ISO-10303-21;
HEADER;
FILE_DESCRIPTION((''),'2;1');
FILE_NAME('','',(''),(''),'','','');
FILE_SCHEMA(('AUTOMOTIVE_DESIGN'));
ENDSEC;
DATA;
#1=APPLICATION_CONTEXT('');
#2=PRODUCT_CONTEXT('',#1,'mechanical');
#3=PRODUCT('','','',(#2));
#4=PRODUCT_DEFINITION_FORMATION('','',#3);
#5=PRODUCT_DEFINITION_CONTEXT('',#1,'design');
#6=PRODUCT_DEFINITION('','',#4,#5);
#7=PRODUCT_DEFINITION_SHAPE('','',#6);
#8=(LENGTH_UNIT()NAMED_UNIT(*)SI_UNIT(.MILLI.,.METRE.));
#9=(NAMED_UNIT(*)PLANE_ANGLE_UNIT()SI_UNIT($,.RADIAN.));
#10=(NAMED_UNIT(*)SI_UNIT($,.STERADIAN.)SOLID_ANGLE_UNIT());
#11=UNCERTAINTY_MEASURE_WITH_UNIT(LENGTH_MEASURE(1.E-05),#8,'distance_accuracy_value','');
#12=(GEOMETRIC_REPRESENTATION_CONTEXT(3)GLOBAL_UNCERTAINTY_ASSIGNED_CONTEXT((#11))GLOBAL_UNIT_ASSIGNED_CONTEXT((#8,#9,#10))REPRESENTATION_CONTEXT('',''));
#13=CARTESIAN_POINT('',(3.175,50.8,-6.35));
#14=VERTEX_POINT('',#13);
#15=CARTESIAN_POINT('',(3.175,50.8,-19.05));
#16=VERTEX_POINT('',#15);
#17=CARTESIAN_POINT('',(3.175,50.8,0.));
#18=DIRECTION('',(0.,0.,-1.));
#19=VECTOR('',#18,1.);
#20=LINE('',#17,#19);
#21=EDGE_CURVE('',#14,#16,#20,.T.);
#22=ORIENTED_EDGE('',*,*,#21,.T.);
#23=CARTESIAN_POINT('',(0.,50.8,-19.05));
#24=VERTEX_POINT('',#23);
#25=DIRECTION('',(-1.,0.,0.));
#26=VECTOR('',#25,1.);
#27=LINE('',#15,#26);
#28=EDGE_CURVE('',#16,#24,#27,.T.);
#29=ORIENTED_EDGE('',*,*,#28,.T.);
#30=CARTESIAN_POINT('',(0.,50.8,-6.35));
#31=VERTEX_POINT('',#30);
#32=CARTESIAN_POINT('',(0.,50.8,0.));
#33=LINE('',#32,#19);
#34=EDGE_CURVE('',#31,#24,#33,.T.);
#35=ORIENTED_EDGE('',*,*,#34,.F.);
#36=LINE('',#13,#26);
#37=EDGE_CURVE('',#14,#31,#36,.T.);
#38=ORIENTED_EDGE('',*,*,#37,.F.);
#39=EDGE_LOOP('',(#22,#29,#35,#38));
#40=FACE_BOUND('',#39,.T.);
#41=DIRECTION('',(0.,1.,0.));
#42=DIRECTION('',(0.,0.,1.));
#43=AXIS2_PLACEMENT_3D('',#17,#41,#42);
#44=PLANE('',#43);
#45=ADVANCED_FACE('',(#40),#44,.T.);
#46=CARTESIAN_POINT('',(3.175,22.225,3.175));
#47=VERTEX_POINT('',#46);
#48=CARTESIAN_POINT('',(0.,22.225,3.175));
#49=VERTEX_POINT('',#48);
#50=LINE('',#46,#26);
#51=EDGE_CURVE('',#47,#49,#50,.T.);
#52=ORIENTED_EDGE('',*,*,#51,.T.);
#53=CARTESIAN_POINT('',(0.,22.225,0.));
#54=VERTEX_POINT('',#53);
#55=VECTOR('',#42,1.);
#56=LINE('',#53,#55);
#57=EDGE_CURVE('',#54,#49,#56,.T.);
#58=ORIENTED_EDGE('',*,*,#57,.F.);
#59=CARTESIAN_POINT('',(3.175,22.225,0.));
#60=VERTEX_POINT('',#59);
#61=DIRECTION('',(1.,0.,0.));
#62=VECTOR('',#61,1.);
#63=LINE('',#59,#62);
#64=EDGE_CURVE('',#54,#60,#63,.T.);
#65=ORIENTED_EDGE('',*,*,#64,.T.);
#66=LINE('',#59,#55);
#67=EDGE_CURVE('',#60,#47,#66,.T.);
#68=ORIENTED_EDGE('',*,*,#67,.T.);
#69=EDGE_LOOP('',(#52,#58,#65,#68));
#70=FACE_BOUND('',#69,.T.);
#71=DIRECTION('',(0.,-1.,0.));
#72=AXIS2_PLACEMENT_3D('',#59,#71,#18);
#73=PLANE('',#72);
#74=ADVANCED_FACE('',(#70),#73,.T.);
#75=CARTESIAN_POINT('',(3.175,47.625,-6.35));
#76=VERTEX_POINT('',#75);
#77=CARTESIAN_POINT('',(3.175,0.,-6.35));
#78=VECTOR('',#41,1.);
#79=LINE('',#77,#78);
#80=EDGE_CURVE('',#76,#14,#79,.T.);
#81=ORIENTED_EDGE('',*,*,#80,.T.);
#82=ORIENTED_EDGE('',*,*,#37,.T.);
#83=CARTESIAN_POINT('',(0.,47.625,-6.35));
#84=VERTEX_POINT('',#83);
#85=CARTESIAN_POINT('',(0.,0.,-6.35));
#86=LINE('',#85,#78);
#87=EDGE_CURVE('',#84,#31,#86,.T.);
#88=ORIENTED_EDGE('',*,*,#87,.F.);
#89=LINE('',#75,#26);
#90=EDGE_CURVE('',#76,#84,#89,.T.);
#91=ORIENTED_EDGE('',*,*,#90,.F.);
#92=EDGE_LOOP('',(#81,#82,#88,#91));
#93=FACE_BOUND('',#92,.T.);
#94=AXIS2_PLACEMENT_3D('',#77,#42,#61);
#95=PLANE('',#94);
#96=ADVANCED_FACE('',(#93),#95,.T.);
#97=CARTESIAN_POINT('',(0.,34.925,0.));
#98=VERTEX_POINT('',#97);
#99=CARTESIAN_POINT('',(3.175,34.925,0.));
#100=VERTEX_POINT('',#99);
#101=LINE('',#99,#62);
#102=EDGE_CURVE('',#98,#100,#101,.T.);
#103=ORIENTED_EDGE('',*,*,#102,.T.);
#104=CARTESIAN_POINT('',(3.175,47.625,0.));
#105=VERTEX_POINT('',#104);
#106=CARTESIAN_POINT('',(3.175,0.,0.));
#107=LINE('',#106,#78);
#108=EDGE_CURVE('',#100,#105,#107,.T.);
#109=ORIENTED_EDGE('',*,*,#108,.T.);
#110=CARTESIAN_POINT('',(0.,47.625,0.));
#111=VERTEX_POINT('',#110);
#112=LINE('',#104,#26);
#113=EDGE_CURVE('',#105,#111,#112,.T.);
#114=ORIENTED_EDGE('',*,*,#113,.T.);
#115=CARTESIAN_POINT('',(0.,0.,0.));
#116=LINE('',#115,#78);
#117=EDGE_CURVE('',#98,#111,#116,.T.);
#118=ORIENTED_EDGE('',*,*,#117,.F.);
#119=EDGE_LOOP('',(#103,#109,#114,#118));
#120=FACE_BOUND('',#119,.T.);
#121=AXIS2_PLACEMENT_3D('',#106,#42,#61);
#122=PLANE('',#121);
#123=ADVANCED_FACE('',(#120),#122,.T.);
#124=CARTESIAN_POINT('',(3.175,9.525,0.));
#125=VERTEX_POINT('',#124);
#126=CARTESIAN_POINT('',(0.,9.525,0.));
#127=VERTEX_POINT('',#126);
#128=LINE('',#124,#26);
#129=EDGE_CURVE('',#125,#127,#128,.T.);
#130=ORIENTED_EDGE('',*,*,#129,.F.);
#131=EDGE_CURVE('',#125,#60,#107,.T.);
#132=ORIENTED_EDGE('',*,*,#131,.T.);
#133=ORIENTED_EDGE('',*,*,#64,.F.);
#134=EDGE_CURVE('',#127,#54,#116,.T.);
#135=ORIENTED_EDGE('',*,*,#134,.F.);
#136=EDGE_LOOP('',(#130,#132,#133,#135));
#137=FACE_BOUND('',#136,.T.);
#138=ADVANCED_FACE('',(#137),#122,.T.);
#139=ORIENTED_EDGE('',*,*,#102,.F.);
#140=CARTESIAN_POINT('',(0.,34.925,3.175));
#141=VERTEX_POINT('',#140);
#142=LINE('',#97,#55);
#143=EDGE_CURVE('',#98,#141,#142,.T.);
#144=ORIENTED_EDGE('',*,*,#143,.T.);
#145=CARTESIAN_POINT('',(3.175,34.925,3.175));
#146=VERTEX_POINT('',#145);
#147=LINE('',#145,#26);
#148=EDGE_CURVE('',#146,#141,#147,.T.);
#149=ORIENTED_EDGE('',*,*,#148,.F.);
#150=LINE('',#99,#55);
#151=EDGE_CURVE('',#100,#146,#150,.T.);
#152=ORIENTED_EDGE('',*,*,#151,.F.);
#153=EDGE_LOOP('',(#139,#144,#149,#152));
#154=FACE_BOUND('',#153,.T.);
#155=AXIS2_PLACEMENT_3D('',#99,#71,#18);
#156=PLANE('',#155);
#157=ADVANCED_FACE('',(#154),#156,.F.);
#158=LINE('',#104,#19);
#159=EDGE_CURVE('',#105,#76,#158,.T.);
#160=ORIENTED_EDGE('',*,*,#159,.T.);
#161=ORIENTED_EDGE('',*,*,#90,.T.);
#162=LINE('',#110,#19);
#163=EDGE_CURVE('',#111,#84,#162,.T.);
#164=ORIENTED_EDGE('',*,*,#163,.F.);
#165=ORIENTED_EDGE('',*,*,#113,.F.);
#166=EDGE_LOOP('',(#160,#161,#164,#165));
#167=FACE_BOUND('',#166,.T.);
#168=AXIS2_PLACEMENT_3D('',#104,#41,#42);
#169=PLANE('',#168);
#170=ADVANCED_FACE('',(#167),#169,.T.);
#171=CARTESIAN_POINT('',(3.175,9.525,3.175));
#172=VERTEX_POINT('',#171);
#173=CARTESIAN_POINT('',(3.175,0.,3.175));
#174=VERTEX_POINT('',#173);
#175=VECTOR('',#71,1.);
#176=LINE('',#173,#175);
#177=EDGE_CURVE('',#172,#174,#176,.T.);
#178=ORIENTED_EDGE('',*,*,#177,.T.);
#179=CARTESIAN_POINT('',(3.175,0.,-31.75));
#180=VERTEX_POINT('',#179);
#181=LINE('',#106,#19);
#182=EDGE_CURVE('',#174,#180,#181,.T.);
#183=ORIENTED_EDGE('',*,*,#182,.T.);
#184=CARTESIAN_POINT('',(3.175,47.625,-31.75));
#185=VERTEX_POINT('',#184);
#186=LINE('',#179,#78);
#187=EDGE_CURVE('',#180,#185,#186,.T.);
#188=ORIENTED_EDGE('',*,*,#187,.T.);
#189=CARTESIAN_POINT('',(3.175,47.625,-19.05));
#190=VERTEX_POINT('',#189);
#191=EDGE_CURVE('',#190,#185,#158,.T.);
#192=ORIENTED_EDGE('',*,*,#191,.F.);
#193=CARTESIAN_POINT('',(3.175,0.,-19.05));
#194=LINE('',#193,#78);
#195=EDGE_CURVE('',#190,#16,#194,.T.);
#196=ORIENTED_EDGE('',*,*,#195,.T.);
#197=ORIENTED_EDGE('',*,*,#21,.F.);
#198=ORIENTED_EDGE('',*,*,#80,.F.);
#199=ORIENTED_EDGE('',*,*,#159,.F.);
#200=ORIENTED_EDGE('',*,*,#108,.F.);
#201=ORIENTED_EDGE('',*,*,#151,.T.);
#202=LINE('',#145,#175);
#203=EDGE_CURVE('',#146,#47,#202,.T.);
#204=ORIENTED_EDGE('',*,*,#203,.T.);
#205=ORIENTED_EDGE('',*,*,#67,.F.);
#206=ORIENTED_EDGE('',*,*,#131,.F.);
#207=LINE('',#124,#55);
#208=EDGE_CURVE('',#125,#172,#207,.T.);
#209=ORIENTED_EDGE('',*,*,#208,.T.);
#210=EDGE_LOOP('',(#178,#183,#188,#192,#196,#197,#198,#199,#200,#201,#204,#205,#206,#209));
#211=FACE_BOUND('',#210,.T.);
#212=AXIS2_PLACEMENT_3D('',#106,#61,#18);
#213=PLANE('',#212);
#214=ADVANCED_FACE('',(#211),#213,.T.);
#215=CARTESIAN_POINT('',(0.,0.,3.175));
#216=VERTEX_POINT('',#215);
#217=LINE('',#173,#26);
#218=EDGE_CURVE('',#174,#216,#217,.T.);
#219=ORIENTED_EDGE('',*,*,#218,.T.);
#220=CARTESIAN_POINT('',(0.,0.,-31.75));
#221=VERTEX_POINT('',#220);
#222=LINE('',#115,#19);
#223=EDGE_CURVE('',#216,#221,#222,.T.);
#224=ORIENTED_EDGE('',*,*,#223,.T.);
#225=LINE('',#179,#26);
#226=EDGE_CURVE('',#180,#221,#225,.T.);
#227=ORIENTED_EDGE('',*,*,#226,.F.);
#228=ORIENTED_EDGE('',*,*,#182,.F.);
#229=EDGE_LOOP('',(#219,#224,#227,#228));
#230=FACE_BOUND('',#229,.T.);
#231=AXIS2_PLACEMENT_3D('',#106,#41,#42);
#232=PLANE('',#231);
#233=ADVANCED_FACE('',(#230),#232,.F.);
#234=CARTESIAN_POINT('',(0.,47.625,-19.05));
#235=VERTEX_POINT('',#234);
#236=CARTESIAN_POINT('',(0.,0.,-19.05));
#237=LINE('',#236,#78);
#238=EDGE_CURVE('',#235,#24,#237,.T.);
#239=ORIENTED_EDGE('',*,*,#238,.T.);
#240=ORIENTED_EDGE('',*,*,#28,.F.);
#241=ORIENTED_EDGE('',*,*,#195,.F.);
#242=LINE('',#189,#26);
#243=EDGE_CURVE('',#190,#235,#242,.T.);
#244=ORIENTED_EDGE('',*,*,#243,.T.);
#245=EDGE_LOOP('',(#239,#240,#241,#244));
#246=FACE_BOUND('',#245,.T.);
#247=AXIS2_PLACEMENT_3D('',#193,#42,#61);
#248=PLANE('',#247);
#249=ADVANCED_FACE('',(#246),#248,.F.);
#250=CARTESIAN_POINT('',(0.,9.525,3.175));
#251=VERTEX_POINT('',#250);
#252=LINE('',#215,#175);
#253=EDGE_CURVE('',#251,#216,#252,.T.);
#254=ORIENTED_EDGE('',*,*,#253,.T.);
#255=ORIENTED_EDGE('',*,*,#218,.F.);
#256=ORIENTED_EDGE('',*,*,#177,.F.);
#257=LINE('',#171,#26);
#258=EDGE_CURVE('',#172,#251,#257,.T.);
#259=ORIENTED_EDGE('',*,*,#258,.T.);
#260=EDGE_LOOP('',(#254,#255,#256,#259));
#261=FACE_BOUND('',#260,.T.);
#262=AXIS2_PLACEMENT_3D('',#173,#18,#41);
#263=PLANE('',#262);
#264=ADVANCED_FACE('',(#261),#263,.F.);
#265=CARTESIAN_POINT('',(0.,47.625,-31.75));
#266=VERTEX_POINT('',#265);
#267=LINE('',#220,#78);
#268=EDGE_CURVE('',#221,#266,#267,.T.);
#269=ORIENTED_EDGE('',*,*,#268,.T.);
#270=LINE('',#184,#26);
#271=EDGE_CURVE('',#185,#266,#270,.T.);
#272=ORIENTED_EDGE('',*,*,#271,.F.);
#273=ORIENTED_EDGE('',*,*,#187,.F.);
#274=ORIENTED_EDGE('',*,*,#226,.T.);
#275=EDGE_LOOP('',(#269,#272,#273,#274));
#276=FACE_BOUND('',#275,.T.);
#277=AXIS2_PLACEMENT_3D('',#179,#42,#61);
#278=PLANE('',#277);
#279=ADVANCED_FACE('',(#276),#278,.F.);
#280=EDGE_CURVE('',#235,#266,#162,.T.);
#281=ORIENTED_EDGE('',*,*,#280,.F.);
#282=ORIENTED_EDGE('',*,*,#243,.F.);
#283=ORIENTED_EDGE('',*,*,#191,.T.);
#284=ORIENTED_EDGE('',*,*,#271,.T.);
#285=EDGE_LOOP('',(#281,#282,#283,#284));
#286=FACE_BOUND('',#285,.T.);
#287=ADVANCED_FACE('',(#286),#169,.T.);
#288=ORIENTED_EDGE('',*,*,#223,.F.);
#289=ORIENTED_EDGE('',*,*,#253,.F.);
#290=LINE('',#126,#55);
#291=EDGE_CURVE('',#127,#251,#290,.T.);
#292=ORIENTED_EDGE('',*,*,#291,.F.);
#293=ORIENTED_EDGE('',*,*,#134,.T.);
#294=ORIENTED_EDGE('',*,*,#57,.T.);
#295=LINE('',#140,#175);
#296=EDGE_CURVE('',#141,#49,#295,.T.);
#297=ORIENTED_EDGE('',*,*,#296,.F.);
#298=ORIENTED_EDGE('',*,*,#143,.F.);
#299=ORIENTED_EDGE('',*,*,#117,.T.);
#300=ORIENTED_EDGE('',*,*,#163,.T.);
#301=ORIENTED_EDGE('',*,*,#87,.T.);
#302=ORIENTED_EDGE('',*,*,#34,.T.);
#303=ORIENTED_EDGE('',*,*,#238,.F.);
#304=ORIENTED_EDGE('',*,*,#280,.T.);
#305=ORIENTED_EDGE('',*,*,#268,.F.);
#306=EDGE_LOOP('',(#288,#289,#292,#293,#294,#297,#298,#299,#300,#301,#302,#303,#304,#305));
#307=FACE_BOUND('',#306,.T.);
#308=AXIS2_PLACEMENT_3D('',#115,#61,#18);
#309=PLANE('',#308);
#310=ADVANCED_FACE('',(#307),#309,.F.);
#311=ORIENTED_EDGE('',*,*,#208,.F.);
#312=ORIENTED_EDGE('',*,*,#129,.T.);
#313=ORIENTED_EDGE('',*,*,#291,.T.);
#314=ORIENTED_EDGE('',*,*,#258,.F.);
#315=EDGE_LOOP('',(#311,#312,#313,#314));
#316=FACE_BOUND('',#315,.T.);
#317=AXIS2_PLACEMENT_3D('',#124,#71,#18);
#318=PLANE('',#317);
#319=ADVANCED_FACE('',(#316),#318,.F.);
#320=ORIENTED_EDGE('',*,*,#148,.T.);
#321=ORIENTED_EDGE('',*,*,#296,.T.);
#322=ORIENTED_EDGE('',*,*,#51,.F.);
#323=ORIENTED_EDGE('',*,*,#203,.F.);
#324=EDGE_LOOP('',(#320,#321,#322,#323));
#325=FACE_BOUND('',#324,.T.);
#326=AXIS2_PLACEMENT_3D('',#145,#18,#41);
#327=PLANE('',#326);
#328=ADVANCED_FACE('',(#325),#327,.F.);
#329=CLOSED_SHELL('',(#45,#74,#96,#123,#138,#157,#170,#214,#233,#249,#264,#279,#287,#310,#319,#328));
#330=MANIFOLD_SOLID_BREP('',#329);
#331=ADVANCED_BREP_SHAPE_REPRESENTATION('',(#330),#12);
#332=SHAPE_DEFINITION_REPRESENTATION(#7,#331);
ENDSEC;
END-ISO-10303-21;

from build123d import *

# Parameters (mm, degrees)
SKETCH1_W           = 31.75
SKETCH1_H           = 47.625
SKETCH1_W_2         = 12.7
SKETCH1_H_2         = 3.175
SKETCH1_W_3         = 3.175
SKETCH1_H_3         = 9.525
SKETCH1_H_4         = 12.7
BOSS_EXTRUDE1_DEPTH = 3.175


with BuildPart() as part:
    # Sketch1 → Boss-Extrude1 (new body)
    with BuildSketch(Plane(origin=(0, 0, 0), x_dir=(0, 0, -1), z_dir=(1, 0, 0))):
        with Locations((15.875, 23.8125)):
            Rectangle(SKETCH1_W, SKETCH1_H)
        with Locations((12.7, 49.2125)):
            Rectangle(SKETCH1_W_2, SKETCH1_H_2)
        with Locations((-1.5875, 4.7625)):
            Rectangle(SKETCH1_W_3, SKETCH1_H_3)
        with Locations((-1.5875, 28.575)):
            Rectangle(SKETCH1_W_3, SKETCH1_H_4)
    extrude(amount=BOSS_EXTRUDE1_DEPTH)


solid = part.part
